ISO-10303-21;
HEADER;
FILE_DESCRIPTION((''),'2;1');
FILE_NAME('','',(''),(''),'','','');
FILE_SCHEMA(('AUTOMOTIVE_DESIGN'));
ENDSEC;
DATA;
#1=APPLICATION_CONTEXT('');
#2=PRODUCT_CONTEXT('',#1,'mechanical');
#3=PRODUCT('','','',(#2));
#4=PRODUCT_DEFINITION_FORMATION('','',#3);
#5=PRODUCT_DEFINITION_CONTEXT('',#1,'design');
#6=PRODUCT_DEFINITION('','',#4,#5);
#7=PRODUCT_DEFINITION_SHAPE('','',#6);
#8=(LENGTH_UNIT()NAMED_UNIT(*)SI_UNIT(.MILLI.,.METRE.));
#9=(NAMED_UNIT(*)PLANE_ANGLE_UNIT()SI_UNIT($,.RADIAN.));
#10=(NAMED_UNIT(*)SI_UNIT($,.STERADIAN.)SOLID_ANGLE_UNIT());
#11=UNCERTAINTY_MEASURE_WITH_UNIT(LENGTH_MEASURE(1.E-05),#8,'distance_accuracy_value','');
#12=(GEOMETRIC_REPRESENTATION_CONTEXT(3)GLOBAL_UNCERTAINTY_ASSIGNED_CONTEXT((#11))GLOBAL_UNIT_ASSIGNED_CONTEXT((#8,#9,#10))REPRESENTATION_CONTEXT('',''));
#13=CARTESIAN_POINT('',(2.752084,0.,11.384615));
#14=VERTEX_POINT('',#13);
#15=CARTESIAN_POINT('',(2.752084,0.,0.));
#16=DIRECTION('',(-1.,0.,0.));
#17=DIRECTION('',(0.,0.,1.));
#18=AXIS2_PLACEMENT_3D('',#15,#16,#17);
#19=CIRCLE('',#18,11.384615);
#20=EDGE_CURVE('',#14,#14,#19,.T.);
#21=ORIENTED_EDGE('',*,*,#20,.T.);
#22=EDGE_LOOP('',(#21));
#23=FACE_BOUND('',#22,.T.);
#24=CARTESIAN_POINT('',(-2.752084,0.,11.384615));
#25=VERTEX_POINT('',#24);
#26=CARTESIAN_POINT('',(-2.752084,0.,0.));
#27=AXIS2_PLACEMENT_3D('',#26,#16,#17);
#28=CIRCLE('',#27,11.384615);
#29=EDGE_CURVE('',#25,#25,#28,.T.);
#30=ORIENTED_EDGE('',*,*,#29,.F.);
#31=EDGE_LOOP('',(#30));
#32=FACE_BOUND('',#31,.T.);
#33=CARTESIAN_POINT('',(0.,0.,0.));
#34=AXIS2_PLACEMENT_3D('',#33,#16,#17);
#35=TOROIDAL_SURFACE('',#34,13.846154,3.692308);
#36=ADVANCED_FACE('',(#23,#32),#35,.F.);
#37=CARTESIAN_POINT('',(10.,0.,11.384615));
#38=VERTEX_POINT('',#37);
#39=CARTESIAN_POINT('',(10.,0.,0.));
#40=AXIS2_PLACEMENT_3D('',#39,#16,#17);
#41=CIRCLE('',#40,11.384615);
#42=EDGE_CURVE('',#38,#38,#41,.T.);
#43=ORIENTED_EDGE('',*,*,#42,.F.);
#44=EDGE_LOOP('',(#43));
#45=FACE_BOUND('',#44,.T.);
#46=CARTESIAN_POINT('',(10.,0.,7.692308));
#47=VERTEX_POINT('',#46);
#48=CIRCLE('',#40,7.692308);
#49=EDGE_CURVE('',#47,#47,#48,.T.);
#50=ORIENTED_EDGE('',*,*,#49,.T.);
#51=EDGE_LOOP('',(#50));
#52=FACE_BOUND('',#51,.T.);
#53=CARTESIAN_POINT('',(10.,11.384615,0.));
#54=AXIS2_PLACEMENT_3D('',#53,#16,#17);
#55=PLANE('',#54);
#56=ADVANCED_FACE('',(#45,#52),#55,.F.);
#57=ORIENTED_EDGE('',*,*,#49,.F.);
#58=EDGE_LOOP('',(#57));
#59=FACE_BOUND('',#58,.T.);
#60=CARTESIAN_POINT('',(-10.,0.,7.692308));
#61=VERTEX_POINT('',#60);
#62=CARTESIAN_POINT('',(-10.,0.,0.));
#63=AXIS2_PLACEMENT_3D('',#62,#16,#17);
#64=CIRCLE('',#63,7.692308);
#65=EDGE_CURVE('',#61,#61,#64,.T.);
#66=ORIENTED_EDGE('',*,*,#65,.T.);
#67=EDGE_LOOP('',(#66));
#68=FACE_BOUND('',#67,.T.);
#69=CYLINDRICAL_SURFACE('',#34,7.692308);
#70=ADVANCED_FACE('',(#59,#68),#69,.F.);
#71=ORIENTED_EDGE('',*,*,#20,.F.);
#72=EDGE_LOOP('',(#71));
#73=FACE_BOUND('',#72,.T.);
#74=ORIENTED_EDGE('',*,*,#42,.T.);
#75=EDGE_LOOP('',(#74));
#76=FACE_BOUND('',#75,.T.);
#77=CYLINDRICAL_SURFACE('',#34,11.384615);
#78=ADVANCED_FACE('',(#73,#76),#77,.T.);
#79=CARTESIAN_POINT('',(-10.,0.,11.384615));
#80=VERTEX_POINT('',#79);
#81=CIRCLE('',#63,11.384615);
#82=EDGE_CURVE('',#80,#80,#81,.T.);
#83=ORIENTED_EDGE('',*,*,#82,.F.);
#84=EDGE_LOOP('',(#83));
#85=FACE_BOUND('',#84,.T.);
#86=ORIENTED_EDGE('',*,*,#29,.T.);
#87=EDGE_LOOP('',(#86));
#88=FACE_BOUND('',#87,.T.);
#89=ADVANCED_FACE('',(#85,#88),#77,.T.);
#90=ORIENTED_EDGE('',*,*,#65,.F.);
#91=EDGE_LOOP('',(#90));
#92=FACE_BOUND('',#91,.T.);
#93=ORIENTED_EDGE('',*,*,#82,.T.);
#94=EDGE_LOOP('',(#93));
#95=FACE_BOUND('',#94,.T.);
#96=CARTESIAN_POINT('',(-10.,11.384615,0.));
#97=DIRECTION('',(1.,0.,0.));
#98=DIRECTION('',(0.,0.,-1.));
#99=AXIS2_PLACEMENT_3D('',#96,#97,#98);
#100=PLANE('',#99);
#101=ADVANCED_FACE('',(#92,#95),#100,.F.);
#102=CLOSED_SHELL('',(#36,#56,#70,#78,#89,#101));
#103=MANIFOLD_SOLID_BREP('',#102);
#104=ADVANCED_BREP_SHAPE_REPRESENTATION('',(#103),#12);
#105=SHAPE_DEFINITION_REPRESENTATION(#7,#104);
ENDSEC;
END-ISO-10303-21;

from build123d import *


with BuildPart() as part:
    # Sketch1 → Revolve1 (revolve)
    with BuildSketch(Plane.XY, mode=Mode.PRIVATE) as revolve1_sk:
        with BuildLine():
            Line((2.752083666, 11.384615385), (10, 11.384615385))
            Line((10, 11.384615385), (10, 7.69230769))
            Line((10, 7.69230769), (-10, 7.69230769))
            Line((-10, 7.69230769), (-10, 11.384615385))
            Line((-10, 11.384615385), (-2.752083666, 11.384615385))
            ThreePointArc((-2.752083666, 11.384615385), (0, 10.153846152), (2.752083666, 11.384615385))
        make_face()
    revolve(revolve1_sk.sketch.rotate(Axis((0, 0, 0), (1, 0, 0)), 90), axis=Axis((0, 0, 0), (1, 0, 0)))


solid = part.part
